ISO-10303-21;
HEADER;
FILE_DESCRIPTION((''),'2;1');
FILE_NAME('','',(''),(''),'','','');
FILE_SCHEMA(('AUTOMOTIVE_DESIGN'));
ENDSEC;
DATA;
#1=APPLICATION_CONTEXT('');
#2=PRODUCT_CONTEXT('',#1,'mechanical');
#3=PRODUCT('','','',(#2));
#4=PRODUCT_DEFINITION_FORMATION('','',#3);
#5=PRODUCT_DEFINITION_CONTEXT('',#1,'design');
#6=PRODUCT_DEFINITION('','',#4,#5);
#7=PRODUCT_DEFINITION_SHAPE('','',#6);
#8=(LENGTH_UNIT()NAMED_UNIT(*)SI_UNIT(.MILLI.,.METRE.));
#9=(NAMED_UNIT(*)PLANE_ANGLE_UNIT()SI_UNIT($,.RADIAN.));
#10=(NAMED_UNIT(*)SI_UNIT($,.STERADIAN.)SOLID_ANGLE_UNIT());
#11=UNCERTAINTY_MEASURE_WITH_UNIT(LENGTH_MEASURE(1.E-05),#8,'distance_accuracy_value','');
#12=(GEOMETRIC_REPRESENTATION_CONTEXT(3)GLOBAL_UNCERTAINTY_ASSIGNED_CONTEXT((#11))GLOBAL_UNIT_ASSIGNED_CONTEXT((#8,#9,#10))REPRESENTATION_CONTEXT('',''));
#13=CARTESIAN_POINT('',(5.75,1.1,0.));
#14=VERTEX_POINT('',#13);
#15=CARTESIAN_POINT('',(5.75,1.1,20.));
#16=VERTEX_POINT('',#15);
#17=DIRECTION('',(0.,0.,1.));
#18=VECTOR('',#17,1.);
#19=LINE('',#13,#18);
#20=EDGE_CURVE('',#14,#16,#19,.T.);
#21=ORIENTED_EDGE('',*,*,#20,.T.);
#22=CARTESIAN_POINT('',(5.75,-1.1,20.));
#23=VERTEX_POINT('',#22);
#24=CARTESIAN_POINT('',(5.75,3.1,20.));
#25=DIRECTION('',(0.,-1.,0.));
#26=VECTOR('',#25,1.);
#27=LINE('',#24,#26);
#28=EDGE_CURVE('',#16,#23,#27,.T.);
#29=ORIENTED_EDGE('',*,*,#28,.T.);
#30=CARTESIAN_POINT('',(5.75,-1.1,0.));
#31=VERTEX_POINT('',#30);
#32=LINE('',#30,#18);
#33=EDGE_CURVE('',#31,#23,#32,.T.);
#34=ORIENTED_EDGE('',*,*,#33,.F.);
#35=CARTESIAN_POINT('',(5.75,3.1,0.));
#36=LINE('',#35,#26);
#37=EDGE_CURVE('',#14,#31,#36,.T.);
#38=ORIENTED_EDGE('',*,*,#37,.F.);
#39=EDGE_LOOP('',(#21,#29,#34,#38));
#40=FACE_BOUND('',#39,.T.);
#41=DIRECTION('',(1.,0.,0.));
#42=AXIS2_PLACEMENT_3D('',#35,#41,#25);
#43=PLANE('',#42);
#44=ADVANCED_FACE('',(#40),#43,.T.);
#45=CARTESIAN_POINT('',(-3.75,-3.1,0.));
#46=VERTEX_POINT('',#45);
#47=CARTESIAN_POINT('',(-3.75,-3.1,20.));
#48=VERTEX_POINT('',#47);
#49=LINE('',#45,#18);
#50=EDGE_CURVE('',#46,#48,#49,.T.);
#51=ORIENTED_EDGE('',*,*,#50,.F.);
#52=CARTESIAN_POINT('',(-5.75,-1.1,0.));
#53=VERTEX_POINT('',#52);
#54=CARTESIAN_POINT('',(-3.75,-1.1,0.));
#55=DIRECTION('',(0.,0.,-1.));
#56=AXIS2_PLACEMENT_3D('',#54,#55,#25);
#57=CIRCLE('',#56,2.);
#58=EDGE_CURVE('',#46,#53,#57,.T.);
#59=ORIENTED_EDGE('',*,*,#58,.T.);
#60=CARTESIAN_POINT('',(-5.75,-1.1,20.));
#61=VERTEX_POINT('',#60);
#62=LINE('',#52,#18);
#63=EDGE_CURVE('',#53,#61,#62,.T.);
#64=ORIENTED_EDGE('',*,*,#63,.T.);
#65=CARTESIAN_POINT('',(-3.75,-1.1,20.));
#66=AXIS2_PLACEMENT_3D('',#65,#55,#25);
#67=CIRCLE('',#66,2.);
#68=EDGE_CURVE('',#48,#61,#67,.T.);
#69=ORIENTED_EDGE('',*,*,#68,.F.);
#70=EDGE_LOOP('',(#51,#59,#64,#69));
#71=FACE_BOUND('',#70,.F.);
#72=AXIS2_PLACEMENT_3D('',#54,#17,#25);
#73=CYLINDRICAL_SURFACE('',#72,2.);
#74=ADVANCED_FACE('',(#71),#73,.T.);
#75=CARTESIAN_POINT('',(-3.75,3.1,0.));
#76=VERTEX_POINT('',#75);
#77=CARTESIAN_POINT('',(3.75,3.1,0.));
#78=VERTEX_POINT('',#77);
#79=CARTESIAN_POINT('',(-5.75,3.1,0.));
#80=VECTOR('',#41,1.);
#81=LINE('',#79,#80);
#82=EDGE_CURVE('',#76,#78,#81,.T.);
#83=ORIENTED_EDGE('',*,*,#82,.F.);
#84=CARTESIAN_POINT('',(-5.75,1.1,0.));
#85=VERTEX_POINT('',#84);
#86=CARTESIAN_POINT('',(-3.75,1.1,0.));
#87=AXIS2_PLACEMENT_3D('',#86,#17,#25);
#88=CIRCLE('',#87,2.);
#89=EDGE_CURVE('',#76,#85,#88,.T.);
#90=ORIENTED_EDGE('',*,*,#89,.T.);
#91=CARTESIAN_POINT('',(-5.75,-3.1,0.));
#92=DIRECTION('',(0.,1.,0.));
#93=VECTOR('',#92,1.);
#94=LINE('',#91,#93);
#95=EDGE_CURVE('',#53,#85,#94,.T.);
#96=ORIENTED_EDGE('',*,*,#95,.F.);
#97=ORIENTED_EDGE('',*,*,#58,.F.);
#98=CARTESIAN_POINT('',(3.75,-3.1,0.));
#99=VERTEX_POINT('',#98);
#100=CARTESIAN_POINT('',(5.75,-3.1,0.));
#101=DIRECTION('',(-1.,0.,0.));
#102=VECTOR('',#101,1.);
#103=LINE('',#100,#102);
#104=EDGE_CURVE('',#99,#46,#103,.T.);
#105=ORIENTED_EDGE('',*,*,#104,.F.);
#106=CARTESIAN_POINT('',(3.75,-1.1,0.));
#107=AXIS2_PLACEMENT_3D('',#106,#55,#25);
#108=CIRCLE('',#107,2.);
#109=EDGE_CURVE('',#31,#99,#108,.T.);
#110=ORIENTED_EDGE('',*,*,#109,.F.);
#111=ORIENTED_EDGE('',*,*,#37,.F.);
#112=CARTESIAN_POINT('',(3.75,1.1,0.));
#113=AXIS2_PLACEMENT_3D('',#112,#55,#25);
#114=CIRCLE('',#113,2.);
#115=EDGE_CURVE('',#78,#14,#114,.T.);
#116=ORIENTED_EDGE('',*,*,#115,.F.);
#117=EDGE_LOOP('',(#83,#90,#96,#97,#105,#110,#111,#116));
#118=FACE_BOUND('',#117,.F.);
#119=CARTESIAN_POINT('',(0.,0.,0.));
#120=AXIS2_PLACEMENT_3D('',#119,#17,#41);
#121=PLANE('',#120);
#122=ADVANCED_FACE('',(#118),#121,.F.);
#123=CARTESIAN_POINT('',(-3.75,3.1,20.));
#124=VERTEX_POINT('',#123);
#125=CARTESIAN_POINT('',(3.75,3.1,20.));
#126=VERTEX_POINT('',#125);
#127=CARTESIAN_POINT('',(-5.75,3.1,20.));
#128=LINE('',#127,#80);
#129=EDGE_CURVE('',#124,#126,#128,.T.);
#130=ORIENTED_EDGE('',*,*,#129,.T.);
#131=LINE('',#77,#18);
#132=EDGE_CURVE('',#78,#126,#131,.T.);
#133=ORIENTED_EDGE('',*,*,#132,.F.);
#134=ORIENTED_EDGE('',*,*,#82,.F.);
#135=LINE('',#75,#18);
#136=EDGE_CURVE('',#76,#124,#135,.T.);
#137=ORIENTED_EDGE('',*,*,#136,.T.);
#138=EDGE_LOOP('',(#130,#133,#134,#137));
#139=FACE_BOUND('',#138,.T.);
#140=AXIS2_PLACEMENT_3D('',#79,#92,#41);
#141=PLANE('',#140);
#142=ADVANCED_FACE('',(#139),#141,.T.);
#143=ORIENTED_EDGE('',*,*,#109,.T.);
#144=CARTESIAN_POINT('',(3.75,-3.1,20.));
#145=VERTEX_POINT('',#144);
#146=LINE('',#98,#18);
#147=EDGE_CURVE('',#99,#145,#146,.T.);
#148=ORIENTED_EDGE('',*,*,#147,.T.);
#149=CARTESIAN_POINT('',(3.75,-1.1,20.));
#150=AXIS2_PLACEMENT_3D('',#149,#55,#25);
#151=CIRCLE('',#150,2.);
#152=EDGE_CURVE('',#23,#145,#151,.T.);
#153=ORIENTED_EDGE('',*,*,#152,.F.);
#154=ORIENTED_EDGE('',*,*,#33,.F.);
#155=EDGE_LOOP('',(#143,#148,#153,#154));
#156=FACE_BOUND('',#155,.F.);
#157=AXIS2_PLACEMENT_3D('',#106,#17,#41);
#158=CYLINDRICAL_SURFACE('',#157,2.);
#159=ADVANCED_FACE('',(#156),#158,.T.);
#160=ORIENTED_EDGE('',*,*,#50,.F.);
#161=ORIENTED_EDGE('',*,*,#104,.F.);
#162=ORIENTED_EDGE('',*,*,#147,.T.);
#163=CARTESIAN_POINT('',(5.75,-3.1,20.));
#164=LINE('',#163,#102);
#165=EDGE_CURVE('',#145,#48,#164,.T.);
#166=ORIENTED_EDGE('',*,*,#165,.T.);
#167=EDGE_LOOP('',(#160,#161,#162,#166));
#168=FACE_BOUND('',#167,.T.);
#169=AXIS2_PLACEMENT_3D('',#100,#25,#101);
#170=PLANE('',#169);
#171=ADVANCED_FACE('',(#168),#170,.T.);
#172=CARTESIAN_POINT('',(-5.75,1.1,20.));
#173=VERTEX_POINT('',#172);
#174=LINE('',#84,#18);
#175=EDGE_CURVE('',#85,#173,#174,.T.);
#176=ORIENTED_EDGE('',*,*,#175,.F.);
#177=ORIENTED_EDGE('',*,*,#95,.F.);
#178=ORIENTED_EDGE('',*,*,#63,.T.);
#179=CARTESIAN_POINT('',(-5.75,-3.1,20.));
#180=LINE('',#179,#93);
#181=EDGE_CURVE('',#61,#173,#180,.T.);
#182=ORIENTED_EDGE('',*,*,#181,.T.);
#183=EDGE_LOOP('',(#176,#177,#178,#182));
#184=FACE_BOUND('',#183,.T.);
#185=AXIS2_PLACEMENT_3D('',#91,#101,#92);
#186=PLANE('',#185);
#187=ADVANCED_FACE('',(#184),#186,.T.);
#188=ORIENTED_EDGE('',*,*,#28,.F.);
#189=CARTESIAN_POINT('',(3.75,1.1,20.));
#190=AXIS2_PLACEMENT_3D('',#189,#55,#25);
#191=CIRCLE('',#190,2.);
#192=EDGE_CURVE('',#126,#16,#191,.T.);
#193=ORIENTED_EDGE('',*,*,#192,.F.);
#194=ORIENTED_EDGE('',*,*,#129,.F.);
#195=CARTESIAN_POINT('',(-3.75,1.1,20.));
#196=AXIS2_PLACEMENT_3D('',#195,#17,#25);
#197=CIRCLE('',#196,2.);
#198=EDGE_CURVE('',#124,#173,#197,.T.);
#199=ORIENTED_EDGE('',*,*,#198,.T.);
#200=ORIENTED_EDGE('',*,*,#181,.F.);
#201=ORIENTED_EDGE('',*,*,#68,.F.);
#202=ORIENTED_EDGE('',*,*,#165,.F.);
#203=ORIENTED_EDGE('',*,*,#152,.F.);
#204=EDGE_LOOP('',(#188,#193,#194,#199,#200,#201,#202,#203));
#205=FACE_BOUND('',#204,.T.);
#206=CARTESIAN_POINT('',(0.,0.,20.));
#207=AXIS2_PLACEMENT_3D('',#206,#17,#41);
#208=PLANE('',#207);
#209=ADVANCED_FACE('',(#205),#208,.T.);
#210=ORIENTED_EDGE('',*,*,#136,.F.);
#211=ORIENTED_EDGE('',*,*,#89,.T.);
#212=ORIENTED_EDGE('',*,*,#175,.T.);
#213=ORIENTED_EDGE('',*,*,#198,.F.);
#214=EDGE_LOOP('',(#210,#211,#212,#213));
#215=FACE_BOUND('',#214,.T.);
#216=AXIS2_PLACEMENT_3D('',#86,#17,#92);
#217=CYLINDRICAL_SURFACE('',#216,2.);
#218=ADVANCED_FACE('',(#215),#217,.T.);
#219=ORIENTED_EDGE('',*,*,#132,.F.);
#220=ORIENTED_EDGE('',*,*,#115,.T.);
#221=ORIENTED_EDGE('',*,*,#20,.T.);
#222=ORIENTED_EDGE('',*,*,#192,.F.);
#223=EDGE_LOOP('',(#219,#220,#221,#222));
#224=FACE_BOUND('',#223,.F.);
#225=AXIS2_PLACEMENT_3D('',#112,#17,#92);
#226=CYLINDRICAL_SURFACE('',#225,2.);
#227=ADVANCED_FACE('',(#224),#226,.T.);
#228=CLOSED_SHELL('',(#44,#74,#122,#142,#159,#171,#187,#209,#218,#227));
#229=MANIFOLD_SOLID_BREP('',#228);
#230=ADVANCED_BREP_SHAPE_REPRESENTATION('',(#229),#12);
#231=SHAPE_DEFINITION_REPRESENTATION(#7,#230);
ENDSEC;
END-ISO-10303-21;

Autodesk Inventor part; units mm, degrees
ref_plane "YZ Plane" through (0, 0, 0) normal (1, 0, 0) x (0, 1, 0)
ref_plane "XZ Plane" through (0, 0, 0) normal (0, 1, 0) x (-1, 0, 0)
ref_plane "XY Plane" through (0, 0, 0) normal (0, 0, 1) x (1, 0, 0)
sketch "Sketch1" plane through (0, 0, 0) normal (0, 0, 1) x (1, 0, 0)
  line L0 (-5.75, 3.1) -> (5.75, 3.1)
  line L1 (5.75, 3.1) -> (5.75, -3.1)
  line L2 (5.75, -3.1) -> (-5.75, -3.1)
  line L3 (-5.75, -3.1) -> (-5.75, 3.1)
  line L4 (-5.75, 3.1) -> (5.75, -3.1) construction
  line L5 (5.75, 3.1) -> (-5.75, -3.1) construction
  point P0 (0, 0)
  dimension "d0" = 11.5
  dimension "d1" = 6.2
extrude "Extrusion1" add sketch "Sketch1" along normal blind 20
fillet "Fillet1" radius 2 4 edges at (5.75, 3.1, 10) (-5.75, 3.1, 10) (-5.75, -3.1, 10) (5.75, -3.1, 10)
properties part number "USB C Plug"
